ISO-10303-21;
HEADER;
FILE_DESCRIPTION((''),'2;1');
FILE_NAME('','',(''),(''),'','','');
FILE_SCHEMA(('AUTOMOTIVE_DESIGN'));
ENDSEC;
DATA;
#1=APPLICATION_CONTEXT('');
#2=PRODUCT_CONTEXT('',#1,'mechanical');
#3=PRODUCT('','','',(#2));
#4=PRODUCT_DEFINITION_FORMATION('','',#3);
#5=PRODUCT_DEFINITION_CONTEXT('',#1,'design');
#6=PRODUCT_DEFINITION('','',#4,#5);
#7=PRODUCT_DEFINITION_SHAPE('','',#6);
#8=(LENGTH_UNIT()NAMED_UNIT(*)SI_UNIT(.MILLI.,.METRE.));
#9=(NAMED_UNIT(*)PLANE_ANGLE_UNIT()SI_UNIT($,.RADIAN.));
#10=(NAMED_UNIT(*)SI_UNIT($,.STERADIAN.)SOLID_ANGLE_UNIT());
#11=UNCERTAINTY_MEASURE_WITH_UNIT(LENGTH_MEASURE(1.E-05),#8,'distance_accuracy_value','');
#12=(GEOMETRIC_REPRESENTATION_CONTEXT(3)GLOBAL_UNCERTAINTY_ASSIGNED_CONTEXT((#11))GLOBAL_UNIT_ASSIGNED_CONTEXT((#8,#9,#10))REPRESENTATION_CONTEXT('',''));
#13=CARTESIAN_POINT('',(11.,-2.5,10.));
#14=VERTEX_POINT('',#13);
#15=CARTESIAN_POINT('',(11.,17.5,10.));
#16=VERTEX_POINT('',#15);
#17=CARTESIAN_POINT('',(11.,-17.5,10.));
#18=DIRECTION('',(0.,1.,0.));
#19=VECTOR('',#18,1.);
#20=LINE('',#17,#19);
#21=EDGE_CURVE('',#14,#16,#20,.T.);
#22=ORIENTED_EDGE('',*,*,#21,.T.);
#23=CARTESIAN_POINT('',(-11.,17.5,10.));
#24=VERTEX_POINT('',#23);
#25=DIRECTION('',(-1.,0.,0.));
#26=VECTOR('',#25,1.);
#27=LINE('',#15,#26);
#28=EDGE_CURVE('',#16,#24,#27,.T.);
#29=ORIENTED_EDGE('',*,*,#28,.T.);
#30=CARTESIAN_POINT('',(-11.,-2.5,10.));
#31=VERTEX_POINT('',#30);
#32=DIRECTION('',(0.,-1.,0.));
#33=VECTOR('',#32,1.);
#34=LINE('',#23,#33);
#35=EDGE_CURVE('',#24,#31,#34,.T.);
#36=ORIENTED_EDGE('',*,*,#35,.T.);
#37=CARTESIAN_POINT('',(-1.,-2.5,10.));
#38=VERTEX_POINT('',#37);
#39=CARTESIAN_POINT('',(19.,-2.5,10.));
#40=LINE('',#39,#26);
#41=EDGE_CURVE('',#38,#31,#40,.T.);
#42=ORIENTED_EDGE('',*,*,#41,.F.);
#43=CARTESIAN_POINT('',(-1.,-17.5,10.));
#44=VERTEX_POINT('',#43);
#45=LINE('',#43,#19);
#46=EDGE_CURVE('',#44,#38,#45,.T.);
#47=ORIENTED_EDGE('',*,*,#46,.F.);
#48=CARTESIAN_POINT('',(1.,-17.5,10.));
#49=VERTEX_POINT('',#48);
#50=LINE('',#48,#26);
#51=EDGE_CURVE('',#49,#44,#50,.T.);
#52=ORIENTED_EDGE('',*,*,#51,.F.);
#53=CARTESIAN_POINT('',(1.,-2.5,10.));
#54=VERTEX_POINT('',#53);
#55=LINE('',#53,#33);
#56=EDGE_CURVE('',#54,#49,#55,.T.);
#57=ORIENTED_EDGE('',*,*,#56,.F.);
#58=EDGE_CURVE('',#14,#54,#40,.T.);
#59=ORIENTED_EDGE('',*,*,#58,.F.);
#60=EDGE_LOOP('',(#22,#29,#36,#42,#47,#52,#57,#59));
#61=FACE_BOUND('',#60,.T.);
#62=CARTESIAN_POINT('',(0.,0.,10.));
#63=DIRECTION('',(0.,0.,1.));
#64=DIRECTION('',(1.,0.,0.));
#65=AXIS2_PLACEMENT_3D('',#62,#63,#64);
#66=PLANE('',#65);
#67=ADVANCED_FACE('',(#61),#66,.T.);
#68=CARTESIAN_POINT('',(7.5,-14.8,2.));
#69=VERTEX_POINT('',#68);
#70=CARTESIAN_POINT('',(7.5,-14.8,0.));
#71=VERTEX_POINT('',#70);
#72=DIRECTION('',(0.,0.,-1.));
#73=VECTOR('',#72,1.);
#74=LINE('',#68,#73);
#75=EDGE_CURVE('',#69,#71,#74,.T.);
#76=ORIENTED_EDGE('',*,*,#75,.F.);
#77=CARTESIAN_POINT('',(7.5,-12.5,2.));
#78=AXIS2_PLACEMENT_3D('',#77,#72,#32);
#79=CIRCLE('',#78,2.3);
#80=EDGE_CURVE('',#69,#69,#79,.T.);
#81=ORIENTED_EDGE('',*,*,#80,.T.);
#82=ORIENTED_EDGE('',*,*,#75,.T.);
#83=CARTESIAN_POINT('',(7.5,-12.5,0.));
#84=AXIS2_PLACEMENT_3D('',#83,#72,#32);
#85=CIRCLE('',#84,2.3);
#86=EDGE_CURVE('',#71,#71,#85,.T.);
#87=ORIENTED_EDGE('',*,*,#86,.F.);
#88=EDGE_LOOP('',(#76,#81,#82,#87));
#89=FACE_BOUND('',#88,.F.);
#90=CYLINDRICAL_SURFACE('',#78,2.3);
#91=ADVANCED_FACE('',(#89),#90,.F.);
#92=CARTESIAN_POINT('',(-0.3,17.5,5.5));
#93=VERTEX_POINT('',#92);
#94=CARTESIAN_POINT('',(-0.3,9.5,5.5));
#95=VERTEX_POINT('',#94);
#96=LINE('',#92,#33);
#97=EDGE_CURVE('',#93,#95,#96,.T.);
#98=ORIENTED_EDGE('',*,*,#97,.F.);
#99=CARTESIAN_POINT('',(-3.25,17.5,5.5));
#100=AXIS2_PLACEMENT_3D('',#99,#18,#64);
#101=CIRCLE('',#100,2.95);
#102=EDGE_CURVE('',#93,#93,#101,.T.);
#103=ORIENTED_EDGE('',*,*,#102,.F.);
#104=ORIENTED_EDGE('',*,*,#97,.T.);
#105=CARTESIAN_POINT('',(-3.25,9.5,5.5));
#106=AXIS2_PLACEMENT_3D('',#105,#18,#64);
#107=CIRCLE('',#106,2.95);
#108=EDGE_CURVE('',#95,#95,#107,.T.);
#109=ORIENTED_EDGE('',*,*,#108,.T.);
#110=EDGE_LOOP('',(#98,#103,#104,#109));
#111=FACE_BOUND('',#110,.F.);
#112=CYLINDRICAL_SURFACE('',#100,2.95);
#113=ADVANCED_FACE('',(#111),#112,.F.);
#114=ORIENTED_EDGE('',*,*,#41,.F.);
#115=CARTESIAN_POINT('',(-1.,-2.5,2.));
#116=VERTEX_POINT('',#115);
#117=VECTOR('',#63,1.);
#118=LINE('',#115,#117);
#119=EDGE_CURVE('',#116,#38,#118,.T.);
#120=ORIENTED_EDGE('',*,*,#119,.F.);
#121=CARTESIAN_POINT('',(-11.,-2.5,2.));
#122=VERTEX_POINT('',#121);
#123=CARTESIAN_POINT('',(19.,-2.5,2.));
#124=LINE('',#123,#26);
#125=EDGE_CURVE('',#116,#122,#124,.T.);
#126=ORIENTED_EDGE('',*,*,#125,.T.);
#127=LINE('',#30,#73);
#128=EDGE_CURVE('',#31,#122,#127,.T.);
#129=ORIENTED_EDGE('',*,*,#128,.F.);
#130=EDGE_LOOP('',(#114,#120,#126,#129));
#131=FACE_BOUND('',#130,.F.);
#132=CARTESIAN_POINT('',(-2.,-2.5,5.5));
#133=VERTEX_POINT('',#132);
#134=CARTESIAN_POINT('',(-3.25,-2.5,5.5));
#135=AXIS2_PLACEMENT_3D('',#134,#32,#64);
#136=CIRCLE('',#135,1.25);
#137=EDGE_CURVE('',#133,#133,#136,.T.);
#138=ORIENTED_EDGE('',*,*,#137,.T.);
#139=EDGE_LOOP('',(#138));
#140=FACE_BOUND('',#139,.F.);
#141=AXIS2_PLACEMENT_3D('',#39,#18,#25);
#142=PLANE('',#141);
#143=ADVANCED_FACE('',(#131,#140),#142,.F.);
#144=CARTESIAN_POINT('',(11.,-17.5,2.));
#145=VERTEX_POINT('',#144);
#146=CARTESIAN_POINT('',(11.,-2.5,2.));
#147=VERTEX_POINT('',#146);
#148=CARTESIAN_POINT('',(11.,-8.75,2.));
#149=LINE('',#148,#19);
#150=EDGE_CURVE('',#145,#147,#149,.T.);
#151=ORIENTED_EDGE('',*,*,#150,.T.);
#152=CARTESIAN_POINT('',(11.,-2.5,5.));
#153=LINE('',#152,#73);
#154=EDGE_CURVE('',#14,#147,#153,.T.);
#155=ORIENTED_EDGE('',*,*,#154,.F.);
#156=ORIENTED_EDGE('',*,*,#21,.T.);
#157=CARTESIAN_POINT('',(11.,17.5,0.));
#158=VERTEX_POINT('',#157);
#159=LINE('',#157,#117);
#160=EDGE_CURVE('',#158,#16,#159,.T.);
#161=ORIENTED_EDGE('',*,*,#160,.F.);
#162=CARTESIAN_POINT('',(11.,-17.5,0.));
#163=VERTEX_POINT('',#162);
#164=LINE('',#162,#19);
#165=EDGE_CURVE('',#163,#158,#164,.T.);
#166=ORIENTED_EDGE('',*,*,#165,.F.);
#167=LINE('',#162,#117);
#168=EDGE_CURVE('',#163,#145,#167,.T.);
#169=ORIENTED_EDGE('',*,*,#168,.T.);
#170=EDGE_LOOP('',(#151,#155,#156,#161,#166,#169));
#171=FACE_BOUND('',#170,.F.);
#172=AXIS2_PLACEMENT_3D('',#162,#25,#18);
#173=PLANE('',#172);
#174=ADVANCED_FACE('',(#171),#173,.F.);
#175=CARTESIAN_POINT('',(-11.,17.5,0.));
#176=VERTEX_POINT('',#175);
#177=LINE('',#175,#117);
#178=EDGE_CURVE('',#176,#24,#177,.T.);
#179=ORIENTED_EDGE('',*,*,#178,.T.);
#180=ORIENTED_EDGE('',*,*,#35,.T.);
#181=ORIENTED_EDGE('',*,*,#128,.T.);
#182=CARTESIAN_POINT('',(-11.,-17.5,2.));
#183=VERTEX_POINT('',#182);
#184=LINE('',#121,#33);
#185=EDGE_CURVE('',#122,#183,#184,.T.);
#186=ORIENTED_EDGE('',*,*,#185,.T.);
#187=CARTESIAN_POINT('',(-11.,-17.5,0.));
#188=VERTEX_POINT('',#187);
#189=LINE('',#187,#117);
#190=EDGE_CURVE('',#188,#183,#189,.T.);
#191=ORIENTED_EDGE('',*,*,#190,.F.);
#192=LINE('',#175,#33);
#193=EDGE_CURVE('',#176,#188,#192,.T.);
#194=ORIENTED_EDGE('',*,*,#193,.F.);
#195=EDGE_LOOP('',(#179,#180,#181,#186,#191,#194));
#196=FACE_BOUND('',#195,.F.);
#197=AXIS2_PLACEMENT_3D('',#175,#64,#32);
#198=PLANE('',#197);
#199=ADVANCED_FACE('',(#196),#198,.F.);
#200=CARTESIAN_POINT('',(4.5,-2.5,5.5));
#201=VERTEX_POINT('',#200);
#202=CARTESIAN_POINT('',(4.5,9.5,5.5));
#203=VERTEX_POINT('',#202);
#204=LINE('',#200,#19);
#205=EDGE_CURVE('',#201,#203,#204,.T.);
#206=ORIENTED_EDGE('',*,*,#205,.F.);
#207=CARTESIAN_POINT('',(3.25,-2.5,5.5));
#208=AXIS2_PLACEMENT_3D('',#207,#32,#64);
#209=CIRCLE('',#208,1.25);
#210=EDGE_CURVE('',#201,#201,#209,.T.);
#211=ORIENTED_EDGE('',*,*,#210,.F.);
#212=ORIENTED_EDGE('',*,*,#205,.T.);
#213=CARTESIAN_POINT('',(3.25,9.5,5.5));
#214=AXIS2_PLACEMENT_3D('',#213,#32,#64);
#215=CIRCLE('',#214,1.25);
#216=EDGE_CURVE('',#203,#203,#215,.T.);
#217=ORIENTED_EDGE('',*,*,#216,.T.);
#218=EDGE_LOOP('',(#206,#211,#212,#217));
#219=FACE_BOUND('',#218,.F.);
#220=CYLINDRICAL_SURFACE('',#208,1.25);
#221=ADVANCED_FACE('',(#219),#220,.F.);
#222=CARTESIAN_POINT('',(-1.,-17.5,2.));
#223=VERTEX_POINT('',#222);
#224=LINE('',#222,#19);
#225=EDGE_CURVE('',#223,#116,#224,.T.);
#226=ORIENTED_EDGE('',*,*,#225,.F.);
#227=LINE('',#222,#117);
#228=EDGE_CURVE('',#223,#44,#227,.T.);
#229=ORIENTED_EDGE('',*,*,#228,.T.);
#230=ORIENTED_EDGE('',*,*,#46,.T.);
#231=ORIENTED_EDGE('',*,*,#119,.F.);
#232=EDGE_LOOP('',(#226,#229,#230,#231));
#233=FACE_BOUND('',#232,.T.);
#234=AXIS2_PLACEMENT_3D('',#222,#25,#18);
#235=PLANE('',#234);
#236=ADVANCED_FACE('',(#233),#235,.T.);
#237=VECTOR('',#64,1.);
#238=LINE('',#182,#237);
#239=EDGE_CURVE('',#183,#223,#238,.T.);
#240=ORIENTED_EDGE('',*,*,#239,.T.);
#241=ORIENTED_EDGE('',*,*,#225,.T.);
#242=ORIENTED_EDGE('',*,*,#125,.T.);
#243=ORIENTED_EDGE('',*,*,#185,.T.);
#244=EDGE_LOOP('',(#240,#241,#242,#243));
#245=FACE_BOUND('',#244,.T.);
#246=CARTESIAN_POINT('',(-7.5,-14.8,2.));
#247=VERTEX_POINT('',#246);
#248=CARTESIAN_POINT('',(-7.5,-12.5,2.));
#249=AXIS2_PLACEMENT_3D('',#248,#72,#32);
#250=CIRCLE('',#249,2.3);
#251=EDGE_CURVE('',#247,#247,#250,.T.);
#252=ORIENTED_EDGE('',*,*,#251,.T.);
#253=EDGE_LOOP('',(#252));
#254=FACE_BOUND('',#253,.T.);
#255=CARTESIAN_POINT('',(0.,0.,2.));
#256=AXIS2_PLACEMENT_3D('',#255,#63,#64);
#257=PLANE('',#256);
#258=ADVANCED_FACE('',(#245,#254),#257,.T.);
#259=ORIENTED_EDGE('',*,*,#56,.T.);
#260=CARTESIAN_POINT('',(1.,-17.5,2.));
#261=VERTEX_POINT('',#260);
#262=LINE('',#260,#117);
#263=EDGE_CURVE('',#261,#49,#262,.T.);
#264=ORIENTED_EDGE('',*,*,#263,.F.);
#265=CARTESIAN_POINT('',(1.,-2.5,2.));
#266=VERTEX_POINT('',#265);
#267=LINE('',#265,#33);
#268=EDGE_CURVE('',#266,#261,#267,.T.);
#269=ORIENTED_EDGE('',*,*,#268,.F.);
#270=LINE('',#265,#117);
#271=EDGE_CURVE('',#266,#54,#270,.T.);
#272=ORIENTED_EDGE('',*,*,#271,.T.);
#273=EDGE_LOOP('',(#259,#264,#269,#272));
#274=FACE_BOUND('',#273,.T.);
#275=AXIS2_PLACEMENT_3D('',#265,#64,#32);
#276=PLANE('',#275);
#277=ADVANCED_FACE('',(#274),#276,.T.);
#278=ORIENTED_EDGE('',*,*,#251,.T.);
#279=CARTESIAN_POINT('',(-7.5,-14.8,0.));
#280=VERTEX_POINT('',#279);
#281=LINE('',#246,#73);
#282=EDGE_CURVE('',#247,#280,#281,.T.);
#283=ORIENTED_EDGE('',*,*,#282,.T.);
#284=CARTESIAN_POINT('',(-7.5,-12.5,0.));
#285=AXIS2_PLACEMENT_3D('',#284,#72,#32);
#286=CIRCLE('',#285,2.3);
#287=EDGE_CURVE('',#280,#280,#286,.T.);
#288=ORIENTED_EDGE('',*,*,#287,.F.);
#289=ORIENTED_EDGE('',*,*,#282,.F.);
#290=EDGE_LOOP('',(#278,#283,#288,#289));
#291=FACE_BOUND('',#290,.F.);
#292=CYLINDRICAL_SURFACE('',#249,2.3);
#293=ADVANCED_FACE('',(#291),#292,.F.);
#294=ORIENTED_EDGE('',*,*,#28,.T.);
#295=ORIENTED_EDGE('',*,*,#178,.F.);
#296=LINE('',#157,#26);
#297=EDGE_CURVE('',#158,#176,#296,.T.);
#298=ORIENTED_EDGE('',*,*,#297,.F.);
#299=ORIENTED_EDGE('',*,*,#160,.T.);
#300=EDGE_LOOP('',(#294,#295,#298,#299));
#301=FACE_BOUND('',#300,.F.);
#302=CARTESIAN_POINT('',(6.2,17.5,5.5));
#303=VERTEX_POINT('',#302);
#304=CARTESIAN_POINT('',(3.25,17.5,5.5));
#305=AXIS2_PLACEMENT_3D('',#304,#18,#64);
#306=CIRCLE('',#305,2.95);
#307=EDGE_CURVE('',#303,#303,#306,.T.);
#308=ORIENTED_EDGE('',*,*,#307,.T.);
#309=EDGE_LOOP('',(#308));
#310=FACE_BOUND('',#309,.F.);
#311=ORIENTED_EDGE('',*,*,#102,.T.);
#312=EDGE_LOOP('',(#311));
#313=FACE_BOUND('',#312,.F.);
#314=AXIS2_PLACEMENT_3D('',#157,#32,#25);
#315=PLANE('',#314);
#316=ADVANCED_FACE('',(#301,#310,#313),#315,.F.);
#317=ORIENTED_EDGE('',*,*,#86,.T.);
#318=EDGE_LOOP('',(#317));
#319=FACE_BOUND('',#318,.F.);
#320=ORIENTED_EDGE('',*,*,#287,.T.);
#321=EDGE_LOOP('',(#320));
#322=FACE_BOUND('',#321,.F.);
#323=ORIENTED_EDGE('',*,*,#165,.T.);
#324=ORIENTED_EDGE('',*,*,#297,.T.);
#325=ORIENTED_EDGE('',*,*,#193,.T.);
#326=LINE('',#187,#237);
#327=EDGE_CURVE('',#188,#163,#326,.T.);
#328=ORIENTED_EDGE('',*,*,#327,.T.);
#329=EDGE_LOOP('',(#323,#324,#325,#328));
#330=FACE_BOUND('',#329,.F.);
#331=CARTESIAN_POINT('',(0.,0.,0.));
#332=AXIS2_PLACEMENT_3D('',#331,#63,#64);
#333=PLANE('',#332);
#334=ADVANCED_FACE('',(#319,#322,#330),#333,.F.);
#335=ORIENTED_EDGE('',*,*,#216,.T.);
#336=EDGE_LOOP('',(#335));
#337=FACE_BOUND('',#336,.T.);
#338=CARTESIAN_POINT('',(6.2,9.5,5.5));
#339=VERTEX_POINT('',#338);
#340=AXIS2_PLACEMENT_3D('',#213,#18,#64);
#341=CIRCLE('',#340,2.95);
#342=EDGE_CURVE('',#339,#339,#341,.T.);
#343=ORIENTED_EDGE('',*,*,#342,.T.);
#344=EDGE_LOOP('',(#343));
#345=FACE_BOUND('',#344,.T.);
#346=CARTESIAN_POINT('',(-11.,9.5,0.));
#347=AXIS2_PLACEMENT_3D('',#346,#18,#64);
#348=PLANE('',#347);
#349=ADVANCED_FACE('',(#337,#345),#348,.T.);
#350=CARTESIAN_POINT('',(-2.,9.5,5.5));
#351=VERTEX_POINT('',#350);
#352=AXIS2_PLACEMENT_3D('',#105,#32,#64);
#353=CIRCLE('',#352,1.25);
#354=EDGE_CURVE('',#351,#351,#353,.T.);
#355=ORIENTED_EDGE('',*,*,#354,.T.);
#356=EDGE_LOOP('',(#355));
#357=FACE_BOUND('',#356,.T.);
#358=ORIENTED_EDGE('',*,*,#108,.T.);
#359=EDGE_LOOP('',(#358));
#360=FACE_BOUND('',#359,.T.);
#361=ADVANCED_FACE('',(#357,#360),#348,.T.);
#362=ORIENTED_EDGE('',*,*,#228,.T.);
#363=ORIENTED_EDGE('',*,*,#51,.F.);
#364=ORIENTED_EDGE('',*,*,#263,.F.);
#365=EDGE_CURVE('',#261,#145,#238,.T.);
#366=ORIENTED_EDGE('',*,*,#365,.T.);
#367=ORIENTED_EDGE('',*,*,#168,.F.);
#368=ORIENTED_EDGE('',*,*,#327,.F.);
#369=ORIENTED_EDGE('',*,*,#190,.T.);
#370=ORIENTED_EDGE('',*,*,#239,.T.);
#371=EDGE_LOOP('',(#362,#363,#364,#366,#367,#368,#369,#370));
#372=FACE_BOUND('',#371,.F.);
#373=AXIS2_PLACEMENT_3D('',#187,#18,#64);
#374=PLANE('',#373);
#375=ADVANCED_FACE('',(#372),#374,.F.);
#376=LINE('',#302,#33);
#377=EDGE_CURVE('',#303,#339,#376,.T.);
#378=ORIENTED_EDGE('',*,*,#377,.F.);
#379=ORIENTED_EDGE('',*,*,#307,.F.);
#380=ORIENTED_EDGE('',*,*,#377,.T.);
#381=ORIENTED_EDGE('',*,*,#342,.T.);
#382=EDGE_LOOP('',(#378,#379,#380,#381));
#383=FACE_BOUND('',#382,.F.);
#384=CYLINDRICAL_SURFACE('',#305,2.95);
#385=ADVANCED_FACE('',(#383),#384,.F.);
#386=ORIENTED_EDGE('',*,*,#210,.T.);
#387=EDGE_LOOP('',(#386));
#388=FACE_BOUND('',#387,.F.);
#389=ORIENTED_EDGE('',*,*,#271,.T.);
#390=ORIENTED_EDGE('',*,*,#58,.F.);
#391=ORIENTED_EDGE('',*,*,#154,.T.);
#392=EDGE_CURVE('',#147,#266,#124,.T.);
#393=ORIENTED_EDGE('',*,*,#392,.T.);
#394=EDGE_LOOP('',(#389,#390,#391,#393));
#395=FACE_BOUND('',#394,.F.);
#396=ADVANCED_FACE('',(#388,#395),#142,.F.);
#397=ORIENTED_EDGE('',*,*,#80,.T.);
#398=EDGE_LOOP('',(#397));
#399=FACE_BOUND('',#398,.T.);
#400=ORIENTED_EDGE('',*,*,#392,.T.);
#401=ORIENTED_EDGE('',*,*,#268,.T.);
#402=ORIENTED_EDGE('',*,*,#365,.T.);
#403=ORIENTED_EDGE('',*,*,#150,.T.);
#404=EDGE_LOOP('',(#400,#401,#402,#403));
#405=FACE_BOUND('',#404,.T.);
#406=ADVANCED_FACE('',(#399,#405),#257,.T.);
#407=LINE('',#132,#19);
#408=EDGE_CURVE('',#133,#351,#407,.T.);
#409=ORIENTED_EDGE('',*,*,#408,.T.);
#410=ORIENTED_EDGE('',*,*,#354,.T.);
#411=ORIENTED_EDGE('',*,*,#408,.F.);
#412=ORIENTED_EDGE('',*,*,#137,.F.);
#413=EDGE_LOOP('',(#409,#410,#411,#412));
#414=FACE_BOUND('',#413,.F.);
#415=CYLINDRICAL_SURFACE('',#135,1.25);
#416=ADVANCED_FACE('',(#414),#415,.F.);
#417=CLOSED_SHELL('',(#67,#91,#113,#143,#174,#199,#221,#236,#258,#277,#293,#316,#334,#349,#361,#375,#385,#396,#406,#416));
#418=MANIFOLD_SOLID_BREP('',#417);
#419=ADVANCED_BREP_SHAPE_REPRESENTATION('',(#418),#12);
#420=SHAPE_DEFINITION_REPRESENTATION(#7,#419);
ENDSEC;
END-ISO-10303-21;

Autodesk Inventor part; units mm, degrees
ref_plane "YZ Plane" through (0, 0, 0) normal (1, 0, 0) x (0, 1, 0)
ref_plane "XZ Plane" through (0, 0, 0) normal (0, 1, 0) x (-1, 0, 0)
ref_plane "XY Plane" through (0, 0, 0) normal (0, 0, 1) x (1, 0, 0)
sketch "Sketch1" plane through (0, 0, 0) normal (0, 0, 1) x (1, 0, 0)
  line L0 (-11, -17.5) -> (11, -17.5)
  line L1 (11, -17.5) -> (11, 17.5)
  line L2 (11, 17.5) -> (-11, 17.5)
  line L3 (-11, 17.5) -> (-11, -17.5)
  line L4 (-11, -17.5) -> (11, 17.5) construction
  line L5 (11, -17.5) -> (-11, 17.5) construction
  point P0 (0, 0)
  dimension "d0" = 22
  dimension "d1" = 35
extrude "Extrusion1" add sketch "Sketch1" along normal blind 10
sketch "Sketch2" plane through (0, 0, 10) normal (0, 0, 1) x (1, 0, 0)
  line L0 (-11, -17.5) -> (19, -17.5)
  line L1 (19, -17.5) -> (19, -2.5)
  line L2 (19, -2.5) -> (-11, -2.5)
  line L3 (-11, -2.5) -> (-11, -17.5)
  point P0 (0, 0)
  dimension "d4" = 30
  dimension "d5" = 15
extrude "Extrusion2" cut sketch "Sketch2" against normal blind 8
sketch "Sketch4" plane through (0, 0, 2) normal (0, 0, 1) x (1, 0, 0)
  circle A0 centre (-7.5, -12.5) radius 2.45
  circle A1 centre (7.5, -12.5) radius 2.45
  line L0 (11, -17.5) -> (-11, -17.5) projected
  point P0 (0, 0)
  dimension "d12" = 4.9
  dimension "d13" = 4.9
  dimension "d14" = 15
  dimension "d15" = 7.5
  dimension "d16" = 5
  dimension "d17" = 5
hole "Hole1" at (-7.5, -12.5, 2) at (7.5, -12.5, 2) direction (0, 0, -1) diameter 4.6 end through all
sketch "Sketch5" plane through (-11, 17.5, 0) normal (0, 1, 0) x (1, 0, 0)
  circle A0 centre (7.75, -5.5) radius 2.95
  circle A1 centre (14.25, -5.5) radius 2.95
  line L0 (22, -10) -> (0, -10) projected
  point P0 (11, 0)
  dimension "d25" = 5.9
  dimension "d26" = 5.9
  dimension "d27" = 6.5
  dimension "d28" = 3.25
  dimension "d29" = 4.5
  dimension "d30" = 4.5
extrude "Extrusion8" cut sketch "Sketch5" against normal blind 8
sketch "Sketch9" plane through (-11, -2.5, 2) normal (0, -1, 0) x (1, 0, 0)
  circle A0 centre (7.75, 3.5) radius 2.95 projected
  circle A1 centre (7.75, 3.5) radius 1.25
  point P0 (11, -2)
  dimension "d45" = 2.5
extrude "Extrusion9" cut sketch "Sketch9" against normal up to next contours A1
sketch "Sketch13" plane through (-11, -2.5, 10) normal (0, -1, 0) x (1, 0, 0)
  circle A0 centre (14.25, -4.5) radius 2.95 projected
  circle A1 centre (14.25, -4.5) radius 1.25
  point P0 (11, -10)
  dimension "d58" = 2.5
extrude "Extrusion13" cut sketch "Sketch13" against normal up to next contours A1
sketch "Sketch14" plane through (0, 0, 2) normal (0, 0, 1) x (1, 0, 0)
  line L0 (-11, -2.5) -> (11, -2.5) projected
  line L1 (-1, -2.5) -> (1, -2.5)
  line L2 (1, -2.5) -> (1, -17.5)
  line L3 (1, -17.5) -> (-1, -17.5)
  line L4 (-1, -17.5) -> (-1, -2.5)
  point P0 (0, 0)
  dimension "d61" = 2
  dimension "d62" = 15
  dimension "d63" = 1
extrude "Extrusion14" add sketch "Sketch14" along normal blind 8
equation "\"d28\" = 0.5 * d27"
equation "\"d30\" = d29"
properties part number "HVcup"
